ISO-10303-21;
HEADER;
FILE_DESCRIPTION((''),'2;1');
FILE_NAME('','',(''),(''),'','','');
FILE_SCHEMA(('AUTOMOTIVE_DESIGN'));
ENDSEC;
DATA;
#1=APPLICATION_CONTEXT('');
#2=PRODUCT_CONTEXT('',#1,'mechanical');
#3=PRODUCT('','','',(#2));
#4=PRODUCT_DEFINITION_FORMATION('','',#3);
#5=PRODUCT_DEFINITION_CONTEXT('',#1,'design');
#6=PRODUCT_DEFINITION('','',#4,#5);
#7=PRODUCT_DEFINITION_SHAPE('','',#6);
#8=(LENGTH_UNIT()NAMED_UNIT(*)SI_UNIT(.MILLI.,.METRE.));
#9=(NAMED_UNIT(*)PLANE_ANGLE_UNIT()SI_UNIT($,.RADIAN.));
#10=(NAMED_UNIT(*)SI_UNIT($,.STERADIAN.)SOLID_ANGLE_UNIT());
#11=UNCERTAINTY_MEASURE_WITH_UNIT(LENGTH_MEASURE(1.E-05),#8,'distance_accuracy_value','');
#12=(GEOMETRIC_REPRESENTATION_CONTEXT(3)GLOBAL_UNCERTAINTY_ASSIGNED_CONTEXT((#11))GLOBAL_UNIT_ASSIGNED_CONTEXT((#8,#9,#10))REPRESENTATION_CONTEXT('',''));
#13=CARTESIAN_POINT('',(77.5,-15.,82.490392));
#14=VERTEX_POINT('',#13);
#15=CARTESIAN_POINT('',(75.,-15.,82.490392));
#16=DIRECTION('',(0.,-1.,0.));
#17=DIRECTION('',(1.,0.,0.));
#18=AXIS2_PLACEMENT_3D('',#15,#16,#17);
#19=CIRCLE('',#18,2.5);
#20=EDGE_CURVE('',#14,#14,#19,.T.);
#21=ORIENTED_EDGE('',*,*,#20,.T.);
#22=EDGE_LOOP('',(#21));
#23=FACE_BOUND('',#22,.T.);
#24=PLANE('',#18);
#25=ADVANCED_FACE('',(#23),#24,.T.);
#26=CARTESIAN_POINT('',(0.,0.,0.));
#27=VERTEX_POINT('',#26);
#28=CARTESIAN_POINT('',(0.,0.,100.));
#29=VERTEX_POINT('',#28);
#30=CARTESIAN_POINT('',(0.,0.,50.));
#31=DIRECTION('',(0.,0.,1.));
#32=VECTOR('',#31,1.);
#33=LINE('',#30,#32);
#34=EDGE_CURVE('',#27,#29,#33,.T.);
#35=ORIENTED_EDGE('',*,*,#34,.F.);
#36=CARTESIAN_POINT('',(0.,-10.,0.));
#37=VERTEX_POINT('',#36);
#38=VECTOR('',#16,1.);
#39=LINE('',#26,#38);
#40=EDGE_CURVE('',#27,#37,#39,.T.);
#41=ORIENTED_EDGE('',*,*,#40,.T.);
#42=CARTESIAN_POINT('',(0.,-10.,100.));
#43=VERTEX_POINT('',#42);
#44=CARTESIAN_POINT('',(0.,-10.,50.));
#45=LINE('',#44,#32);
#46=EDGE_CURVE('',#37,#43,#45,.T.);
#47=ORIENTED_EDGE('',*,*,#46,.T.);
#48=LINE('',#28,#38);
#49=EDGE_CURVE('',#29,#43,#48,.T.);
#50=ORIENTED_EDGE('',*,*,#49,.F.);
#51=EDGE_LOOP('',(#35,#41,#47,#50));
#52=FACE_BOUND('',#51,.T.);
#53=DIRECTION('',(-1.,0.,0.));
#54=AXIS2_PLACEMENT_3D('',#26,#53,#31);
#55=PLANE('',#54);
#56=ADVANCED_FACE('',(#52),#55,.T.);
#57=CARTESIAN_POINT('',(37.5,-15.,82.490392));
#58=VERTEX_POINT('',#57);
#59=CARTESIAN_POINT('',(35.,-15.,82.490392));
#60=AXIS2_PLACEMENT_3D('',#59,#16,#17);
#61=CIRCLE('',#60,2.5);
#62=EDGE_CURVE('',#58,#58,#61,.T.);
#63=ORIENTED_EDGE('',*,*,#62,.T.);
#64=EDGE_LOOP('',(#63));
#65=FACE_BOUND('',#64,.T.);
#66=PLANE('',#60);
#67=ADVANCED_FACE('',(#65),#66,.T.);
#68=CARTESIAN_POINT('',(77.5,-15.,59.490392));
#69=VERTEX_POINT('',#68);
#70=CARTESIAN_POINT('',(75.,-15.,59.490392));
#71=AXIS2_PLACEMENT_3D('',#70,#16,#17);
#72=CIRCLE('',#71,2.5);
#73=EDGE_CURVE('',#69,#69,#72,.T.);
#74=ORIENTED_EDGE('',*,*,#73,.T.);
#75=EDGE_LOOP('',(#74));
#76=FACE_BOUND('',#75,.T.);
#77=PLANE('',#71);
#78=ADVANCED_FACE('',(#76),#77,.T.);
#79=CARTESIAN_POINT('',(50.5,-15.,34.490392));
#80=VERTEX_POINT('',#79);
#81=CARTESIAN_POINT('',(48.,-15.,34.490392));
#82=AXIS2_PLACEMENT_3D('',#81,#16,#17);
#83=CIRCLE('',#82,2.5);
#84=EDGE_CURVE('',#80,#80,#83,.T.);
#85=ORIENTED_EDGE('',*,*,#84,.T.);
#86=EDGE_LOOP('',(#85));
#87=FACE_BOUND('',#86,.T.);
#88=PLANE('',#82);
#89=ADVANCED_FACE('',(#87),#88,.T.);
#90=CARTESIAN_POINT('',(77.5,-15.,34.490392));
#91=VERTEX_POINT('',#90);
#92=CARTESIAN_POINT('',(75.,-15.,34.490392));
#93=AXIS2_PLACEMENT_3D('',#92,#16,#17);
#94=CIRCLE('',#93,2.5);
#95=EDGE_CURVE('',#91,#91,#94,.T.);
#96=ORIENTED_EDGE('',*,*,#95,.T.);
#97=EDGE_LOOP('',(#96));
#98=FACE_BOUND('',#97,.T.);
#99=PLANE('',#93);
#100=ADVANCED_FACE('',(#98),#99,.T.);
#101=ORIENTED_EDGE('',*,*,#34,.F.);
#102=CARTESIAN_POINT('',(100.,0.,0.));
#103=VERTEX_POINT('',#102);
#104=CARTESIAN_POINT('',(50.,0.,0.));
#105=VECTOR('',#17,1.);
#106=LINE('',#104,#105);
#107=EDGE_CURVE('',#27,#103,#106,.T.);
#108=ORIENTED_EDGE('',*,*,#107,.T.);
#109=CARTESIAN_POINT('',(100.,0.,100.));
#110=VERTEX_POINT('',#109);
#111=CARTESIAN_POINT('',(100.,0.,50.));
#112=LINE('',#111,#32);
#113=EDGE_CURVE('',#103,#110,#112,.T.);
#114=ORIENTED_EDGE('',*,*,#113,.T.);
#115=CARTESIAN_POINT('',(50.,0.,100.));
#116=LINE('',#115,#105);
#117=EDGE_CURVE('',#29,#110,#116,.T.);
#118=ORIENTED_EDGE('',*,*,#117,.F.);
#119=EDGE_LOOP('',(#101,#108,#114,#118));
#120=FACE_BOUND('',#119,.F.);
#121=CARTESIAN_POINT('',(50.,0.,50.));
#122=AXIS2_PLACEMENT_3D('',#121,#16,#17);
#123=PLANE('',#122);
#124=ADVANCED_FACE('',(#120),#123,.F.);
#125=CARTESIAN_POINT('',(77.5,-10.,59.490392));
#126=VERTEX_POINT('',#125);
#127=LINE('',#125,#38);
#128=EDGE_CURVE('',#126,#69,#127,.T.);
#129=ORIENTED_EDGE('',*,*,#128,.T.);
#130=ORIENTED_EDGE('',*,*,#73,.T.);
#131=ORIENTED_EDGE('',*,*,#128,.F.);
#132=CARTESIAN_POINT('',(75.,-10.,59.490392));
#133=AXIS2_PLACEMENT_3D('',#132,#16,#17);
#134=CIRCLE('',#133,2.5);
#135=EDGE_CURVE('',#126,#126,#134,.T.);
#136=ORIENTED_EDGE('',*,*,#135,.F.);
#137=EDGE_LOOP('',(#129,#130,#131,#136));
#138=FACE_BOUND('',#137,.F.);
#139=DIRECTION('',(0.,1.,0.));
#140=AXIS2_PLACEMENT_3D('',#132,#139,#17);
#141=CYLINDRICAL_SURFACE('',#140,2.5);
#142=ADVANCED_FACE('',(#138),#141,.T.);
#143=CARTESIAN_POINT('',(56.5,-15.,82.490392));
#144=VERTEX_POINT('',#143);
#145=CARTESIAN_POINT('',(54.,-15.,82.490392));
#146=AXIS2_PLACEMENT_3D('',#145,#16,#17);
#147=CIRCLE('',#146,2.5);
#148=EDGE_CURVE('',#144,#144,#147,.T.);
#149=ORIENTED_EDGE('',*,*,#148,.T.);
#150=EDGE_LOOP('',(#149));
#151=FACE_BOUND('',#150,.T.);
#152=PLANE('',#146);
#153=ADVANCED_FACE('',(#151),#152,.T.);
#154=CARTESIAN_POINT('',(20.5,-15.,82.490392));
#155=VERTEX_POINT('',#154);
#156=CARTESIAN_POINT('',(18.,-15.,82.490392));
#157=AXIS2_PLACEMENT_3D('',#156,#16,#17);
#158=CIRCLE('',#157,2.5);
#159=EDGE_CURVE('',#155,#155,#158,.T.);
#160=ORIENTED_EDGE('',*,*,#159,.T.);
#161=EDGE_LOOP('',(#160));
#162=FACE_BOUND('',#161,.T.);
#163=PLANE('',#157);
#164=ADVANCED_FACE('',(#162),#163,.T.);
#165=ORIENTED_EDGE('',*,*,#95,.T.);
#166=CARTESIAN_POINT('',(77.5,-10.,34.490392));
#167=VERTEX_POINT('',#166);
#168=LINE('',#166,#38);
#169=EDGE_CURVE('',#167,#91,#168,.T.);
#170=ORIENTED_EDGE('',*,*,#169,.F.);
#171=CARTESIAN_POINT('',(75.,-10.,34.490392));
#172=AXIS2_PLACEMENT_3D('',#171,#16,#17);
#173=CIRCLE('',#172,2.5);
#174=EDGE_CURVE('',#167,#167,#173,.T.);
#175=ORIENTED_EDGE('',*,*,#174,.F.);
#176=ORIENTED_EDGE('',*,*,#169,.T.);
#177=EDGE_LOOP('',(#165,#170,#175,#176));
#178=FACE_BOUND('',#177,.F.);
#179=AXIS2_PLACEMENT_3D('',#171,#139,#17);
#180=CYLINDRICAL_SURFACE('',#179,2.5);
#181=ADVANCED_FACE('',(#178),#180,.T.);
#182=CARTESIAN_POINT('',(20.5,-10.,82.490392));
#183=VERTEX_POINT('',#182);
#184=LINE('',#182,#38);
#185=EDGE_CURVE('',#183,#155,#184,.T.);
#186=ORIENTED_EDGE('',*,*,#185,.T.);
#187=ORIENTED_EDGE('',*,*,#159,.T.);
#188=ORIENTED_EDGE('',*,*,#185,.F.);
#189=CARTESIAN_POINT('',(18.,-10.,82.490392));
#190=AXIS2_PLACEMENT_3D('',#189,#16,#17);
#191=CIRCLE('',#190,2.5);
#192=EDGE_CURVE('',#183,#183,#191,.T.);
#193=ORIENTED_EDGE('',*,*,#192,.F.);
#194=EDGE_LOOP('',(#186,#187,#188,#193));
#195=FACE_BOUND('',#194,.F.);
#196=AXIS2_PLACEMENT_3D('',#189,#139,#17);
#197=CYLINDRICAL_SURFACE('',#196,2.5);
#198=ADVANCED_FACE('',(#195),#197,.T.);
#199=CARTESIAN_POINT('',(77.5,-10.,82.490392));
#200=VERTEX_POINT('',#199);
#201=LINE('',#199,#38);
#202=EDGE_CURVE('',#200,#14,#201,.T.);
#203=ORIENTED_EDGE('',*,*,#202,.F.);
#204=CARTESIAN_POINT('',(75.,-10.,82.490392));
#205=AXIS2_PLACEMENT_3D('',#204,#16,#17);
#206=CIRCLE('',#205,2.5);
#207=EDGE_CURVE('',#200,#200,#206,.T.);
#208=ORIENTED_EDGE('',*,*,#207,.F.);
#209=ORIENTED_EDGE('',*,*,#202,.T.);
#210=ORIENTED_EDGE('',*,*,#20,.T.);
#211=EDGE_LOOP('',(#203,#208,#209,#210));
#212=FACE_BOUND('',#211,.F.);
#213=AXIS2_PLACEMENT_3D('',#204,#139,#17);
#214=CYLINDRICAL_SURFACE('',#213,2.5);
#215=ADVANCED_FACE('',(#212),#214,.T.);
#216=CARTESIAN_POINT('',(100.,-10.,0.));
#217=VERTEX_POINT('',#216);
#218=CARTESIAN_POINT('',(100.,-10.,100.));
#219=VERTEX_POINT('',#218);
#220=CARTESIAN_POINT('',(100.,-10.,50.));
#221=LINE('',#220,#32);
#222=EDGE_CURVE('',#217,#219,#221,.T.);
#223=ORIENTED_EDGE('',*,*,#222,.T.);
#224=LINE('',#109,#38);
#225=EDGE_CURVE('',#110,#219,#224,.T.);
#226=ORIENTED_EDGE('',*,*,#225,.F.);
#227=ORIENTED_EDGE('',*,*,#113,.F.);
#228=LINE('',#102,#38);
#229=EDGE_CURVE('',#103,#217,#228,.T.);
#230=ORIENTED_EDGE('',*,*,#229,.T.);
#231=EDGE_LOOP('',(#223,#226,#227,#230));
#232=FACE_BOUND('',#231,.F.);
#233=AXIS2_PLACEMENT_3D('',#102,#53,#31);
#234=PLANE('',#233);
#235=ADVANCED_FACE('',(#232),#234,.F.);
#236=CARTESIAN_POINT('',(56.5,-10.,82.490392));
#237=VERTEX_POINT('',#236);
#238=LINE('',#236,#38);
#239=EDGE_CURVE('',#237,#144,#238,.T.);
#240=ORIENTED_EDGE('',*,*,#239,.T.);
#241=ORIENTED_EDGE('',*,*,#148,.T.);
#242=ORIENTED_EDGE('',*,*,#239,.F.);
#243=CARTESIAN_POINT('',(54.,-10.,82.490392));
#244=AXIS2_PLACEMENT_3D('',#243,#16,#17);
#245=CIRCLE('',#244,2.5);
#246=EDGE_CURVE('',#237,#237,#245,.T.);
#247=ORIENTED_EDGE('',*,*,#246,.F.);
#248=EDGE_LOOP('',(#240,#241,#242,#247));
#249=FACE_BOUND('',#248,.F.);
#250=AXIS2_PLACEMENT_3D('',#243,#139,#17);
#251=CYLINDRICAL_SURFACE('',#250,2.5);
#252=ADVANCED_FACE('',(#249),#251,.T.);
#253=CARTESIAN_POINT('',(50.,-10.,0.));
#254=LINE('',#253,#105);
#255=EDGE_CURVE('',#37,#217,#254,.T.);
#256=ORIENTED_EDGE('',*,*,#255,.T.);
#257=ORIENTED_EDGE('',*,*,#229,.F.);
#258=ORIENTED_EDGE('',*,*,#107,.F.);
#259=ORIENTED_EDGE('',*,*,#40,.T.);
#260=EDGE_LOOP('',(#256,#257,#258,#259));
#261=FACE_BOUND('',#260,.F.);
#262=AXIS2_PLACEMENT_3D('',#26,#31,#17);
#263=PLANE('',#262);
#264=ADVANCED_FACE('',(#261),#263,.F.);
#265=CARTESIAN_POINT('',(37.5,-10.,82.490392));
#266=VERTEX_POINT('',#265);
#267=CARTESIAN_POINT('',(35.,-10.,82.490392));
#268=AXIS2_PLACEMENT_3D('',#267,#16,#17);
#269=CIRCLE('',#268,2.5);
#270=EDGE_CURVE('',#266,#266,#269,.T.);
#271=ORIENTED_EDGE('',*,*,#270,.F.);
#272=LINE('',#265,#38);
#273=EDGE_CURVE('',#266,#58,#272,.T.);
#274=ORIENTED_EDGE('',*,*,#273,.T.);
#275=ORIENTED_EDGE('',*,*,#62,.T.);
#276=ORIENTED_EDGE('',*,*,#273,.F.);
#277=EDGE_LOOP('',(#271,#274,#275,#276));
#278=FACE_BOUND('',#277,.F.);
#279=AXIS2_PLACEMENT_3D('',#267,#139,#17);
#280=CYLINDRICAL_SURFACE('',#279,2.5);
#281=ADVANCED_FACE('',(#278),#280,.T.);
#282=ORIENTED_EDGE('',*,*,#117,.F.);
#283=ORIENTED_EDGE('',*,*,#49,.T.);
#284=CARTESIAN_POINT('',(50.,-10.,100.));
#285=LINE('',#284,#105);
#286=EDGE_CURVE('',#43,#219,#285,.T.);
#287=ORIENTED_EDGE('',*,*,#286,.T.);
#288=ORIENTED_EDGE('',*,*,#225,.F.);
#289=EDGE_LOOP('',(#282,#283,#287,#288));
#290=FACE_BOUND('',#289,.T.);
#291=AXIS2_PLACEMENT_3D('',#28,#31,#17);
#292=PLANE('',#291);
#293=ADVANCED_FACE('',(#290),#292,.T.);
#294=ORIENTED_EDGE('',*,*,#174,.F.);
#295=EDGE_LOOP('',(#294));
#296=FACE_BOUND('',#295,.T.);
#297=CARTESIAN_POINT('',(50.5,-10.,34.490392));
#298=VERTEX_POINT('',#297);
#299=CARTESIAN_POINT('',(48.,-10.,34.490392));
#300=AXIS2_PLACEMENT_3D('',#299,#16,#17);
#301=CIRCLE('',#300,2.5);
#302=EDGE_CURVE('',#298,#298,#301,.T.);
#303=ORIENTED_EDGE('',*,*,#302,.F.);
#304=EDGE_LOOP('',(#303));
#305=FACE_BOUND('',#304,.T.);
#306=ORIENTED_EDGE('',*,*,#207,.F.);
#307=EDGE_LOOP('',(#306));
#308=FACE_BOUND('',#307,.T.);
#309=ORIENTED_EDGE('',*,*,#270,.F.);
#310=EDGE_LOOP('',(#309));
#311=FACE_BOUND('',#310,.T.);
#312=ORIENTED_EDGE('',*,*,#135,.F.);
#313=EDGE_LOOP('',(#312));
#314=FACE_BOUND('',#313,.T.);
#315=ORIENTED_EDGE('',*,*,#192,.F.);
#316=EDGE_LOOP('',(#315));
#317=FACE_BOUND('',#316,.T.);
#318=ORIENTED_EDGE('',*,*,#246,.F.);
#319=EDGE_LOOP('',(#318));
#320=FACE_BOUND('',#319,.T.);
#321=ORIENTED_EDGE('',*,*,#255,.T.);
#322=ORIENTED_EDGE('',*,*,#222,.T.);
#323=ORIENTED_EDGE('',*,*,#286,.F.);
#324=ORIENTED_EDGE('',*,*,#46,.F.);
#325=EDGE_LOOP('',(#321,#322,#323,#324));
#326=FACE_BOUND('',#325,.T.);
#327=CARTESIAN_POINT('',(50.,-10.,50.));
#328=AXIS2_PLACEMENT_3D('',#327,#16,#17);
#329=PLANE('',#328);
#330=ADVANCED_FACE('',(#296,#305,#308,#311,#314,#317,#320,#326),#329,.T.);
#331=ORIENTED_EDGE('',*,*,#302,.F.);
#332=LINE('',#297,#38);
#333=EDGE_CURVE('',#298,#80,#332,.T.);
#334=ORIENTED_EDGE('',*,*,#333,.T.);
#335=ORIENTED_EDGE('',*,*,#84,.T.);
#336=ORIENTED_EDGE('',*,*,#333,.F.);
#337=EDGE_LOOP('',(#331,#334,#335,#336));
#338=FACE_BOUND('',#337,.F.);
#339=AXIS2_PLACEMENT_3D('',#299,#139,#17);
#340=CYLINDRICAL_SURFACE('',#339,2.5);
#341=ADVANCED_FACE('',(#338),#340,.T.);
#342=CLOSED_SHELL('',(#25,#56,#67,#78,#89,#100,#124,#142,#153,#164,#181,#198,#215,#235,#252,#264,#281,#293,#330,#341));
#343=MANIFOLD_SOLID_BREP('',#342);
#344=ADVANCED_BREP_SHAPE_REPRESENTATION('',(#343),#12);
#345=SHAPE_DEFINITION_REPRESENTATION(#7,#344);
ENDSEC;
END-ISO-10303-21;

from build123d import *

# Parameters (mm, degrees)
F0_W     = 100
F0_H     = 100
F0_R     = 2.5
F1_DEPTH = 10
F2_R     = 2.5
F3_DEPTH = 5


with BuildPart() as f1:
    # F0 (on Front) → F1 (new body)
    with BuildSketch(Plane.XZ):
        with Locations((50, 50)):
            Rectangle(F0_W, F0_H)
        with Locations((12, 81.869952)):
            Circle(F0_R, mode=Mode.SUBTRACT)
        with Locations((29, 81.869952)):
            Circle(F0_R, mode=Mode.SUBTRACT)
        with Locations((48, 81.869952)):
            Circle(F0_R, mode=Mode.SUBTRACT)
        with Locations((69, 81.869952)):
            Circle(F0_R, mode=Mode.SUBTRACT)
        with Locations((12, 81.869952)):
            Circle(F0_R)
        with Locations((29, 81.869952)):
            Circle(F0_R)
        with Locations((48, 81.869952)):
            Circle(F0_R)
        with Locations((69, 81.869952)):
            Circle(F0_R)
    extrude(amount=F1_DEPTH)

    # F2 (on face) → F3 (join)
    with BuildSketch(Plane.XZ.offset(10)):
        with Locations((18, 82.490392)):
            Circle(F2_R)
        with Locations((35, 82.490392)):
            Circle(F2_R)
        with Locations((54, 82.490392)):
            Circle(F2_R)
        with Locations((75, 82.490392)):
            Circle(F2_R)
        with Locations((75, 59.490392)):
            Circle(F2_R)
        with Locations((75, 34.490392)):
            Circle(F2_R)
        with Locations((48, 34.490392)):
            Circle(F2_R)
    extrude(amount=F3_DEPTH)


solid = f1.part
